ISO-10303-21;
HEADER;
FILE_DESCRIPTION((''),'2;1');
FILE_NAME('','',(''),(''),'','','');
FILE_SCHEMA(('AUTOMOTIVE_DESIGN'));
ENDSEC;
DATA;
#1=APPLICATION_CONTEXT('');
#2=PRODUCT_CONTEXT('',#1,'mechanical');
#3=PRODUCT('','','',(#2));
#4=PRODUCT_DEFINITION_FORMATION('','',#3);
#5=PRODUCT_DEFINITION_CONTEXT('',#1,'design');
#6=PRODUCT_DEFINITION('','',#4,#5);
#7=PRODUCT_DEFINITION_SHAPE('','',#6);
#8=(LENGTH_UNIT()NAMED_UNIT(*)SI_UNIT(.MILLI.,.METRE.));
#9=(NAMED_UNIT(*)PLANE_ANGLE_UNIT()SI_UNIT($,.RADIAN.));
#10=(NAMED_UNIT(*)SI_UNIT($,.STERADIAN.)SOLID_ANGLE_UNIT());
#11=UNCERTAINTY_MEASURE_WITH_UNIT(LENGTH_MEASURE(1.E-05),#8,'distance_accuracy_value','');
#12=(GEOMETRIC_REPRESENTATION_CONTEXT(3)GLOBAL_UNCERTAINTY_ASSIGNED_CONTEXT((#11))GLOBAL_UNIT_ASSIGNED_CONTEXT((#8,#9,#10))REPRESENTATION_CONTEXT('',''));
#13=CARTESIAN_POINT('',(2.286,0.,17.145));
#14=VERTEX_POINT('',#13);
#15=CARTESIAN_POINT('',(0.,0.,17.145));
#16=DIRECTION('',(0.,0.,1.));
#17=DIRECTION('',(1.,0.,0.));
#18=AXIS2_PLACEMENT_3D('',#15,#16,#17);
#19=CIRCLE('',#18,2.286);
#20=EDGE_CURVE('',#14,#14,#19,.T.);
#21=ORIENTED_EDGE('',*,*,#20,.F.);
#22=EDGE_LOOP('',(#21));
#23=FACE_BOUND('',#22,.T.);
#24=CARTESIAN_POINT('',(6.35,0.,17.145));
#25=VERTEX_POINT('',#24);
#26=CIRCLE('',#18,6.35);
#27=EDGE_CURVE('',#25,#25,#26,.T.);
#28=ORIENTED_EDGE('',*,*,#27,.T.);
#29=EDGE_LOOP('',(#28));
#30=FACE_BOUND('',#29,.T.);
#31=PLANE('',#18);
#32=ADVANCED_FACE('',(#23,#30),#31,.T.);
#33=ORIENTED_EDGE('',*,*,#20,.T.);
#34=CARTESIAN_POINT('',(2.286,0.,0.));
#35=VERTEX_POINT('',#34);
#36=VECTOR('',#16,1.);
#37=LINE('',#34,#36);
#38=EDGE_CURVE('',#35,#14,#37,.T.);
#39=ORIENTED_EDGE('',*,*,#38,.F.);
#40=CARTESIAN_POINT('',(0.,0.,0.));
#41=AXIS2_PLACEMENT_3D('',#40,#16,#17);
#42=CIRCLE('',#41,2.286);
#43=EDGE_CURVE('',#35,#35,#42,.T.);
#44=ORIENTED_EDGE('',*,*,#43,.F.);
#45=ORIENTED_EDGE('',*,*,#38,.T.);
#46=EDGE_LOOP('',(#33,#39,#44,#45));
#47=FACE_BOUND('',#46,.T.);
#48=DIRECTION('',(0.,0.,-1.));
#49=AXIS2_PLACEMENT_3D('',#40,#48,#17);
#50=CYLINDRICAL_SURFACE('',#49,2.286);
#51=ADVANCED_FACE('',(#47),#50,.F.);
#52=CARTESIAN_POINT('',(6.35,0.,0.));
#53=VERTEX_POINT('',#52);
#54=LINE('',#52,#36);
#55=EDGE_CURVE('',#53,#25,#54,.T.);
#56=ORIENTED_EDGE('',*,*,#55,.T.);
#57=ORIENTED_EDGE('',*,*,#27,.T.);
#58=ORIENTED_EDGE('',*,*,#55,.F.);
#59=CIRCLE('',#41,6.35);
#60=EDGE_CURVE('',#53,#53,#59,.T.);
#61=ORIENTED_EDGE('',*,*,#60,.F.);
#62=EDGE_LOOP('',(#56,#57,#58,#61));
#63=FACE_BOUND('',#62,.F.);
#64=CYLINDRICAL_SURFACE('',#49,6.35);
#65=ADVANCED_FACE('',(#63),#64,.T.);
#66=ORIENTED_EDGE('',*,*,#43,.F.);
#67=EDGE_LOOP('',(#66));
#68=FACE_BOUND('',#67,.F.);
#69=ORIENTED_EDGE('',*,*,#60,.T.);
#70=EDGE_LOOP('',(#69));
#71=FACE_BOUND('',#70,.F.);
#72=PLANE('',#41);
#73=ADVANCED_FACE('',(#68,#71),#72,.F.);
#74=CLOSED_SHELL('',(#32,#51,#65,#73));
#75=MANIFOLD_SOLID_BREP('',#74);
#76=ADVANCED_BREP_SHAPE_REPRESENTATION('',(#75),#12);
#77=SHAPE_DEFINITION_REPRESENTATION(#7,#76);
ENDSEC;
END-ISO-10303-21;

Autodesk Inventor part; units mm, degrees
ref_plane "YZ Plane" through (0, 0, 0) normal (1, 0, 0) x (0, 1, 0)
ref_plane "XZ Plane" through (0, 0, 0) normal (0, 1, 0) x (-1, 0, 0)
ref_plane "XY Plane" through (0, 0, 0) normal (0, 0, 1) x (1, 0, 0)
sketch "Sketch1" plane through (0, 0, 0) normal (0, 0, 1) x (1, 0, 0)
  circle A0 centre (0, 0) radius 2.286
  circle A1 centre (0, 0) radius 6.35
  dimension "d0" = 4.572
  dimension "d1" = 12.7
extrude "Extrusion1" add sketch "Sketch1" along normal blind 17.145
properties part number "5_8 Spacer Screw Custom" material "PET Plastic"
